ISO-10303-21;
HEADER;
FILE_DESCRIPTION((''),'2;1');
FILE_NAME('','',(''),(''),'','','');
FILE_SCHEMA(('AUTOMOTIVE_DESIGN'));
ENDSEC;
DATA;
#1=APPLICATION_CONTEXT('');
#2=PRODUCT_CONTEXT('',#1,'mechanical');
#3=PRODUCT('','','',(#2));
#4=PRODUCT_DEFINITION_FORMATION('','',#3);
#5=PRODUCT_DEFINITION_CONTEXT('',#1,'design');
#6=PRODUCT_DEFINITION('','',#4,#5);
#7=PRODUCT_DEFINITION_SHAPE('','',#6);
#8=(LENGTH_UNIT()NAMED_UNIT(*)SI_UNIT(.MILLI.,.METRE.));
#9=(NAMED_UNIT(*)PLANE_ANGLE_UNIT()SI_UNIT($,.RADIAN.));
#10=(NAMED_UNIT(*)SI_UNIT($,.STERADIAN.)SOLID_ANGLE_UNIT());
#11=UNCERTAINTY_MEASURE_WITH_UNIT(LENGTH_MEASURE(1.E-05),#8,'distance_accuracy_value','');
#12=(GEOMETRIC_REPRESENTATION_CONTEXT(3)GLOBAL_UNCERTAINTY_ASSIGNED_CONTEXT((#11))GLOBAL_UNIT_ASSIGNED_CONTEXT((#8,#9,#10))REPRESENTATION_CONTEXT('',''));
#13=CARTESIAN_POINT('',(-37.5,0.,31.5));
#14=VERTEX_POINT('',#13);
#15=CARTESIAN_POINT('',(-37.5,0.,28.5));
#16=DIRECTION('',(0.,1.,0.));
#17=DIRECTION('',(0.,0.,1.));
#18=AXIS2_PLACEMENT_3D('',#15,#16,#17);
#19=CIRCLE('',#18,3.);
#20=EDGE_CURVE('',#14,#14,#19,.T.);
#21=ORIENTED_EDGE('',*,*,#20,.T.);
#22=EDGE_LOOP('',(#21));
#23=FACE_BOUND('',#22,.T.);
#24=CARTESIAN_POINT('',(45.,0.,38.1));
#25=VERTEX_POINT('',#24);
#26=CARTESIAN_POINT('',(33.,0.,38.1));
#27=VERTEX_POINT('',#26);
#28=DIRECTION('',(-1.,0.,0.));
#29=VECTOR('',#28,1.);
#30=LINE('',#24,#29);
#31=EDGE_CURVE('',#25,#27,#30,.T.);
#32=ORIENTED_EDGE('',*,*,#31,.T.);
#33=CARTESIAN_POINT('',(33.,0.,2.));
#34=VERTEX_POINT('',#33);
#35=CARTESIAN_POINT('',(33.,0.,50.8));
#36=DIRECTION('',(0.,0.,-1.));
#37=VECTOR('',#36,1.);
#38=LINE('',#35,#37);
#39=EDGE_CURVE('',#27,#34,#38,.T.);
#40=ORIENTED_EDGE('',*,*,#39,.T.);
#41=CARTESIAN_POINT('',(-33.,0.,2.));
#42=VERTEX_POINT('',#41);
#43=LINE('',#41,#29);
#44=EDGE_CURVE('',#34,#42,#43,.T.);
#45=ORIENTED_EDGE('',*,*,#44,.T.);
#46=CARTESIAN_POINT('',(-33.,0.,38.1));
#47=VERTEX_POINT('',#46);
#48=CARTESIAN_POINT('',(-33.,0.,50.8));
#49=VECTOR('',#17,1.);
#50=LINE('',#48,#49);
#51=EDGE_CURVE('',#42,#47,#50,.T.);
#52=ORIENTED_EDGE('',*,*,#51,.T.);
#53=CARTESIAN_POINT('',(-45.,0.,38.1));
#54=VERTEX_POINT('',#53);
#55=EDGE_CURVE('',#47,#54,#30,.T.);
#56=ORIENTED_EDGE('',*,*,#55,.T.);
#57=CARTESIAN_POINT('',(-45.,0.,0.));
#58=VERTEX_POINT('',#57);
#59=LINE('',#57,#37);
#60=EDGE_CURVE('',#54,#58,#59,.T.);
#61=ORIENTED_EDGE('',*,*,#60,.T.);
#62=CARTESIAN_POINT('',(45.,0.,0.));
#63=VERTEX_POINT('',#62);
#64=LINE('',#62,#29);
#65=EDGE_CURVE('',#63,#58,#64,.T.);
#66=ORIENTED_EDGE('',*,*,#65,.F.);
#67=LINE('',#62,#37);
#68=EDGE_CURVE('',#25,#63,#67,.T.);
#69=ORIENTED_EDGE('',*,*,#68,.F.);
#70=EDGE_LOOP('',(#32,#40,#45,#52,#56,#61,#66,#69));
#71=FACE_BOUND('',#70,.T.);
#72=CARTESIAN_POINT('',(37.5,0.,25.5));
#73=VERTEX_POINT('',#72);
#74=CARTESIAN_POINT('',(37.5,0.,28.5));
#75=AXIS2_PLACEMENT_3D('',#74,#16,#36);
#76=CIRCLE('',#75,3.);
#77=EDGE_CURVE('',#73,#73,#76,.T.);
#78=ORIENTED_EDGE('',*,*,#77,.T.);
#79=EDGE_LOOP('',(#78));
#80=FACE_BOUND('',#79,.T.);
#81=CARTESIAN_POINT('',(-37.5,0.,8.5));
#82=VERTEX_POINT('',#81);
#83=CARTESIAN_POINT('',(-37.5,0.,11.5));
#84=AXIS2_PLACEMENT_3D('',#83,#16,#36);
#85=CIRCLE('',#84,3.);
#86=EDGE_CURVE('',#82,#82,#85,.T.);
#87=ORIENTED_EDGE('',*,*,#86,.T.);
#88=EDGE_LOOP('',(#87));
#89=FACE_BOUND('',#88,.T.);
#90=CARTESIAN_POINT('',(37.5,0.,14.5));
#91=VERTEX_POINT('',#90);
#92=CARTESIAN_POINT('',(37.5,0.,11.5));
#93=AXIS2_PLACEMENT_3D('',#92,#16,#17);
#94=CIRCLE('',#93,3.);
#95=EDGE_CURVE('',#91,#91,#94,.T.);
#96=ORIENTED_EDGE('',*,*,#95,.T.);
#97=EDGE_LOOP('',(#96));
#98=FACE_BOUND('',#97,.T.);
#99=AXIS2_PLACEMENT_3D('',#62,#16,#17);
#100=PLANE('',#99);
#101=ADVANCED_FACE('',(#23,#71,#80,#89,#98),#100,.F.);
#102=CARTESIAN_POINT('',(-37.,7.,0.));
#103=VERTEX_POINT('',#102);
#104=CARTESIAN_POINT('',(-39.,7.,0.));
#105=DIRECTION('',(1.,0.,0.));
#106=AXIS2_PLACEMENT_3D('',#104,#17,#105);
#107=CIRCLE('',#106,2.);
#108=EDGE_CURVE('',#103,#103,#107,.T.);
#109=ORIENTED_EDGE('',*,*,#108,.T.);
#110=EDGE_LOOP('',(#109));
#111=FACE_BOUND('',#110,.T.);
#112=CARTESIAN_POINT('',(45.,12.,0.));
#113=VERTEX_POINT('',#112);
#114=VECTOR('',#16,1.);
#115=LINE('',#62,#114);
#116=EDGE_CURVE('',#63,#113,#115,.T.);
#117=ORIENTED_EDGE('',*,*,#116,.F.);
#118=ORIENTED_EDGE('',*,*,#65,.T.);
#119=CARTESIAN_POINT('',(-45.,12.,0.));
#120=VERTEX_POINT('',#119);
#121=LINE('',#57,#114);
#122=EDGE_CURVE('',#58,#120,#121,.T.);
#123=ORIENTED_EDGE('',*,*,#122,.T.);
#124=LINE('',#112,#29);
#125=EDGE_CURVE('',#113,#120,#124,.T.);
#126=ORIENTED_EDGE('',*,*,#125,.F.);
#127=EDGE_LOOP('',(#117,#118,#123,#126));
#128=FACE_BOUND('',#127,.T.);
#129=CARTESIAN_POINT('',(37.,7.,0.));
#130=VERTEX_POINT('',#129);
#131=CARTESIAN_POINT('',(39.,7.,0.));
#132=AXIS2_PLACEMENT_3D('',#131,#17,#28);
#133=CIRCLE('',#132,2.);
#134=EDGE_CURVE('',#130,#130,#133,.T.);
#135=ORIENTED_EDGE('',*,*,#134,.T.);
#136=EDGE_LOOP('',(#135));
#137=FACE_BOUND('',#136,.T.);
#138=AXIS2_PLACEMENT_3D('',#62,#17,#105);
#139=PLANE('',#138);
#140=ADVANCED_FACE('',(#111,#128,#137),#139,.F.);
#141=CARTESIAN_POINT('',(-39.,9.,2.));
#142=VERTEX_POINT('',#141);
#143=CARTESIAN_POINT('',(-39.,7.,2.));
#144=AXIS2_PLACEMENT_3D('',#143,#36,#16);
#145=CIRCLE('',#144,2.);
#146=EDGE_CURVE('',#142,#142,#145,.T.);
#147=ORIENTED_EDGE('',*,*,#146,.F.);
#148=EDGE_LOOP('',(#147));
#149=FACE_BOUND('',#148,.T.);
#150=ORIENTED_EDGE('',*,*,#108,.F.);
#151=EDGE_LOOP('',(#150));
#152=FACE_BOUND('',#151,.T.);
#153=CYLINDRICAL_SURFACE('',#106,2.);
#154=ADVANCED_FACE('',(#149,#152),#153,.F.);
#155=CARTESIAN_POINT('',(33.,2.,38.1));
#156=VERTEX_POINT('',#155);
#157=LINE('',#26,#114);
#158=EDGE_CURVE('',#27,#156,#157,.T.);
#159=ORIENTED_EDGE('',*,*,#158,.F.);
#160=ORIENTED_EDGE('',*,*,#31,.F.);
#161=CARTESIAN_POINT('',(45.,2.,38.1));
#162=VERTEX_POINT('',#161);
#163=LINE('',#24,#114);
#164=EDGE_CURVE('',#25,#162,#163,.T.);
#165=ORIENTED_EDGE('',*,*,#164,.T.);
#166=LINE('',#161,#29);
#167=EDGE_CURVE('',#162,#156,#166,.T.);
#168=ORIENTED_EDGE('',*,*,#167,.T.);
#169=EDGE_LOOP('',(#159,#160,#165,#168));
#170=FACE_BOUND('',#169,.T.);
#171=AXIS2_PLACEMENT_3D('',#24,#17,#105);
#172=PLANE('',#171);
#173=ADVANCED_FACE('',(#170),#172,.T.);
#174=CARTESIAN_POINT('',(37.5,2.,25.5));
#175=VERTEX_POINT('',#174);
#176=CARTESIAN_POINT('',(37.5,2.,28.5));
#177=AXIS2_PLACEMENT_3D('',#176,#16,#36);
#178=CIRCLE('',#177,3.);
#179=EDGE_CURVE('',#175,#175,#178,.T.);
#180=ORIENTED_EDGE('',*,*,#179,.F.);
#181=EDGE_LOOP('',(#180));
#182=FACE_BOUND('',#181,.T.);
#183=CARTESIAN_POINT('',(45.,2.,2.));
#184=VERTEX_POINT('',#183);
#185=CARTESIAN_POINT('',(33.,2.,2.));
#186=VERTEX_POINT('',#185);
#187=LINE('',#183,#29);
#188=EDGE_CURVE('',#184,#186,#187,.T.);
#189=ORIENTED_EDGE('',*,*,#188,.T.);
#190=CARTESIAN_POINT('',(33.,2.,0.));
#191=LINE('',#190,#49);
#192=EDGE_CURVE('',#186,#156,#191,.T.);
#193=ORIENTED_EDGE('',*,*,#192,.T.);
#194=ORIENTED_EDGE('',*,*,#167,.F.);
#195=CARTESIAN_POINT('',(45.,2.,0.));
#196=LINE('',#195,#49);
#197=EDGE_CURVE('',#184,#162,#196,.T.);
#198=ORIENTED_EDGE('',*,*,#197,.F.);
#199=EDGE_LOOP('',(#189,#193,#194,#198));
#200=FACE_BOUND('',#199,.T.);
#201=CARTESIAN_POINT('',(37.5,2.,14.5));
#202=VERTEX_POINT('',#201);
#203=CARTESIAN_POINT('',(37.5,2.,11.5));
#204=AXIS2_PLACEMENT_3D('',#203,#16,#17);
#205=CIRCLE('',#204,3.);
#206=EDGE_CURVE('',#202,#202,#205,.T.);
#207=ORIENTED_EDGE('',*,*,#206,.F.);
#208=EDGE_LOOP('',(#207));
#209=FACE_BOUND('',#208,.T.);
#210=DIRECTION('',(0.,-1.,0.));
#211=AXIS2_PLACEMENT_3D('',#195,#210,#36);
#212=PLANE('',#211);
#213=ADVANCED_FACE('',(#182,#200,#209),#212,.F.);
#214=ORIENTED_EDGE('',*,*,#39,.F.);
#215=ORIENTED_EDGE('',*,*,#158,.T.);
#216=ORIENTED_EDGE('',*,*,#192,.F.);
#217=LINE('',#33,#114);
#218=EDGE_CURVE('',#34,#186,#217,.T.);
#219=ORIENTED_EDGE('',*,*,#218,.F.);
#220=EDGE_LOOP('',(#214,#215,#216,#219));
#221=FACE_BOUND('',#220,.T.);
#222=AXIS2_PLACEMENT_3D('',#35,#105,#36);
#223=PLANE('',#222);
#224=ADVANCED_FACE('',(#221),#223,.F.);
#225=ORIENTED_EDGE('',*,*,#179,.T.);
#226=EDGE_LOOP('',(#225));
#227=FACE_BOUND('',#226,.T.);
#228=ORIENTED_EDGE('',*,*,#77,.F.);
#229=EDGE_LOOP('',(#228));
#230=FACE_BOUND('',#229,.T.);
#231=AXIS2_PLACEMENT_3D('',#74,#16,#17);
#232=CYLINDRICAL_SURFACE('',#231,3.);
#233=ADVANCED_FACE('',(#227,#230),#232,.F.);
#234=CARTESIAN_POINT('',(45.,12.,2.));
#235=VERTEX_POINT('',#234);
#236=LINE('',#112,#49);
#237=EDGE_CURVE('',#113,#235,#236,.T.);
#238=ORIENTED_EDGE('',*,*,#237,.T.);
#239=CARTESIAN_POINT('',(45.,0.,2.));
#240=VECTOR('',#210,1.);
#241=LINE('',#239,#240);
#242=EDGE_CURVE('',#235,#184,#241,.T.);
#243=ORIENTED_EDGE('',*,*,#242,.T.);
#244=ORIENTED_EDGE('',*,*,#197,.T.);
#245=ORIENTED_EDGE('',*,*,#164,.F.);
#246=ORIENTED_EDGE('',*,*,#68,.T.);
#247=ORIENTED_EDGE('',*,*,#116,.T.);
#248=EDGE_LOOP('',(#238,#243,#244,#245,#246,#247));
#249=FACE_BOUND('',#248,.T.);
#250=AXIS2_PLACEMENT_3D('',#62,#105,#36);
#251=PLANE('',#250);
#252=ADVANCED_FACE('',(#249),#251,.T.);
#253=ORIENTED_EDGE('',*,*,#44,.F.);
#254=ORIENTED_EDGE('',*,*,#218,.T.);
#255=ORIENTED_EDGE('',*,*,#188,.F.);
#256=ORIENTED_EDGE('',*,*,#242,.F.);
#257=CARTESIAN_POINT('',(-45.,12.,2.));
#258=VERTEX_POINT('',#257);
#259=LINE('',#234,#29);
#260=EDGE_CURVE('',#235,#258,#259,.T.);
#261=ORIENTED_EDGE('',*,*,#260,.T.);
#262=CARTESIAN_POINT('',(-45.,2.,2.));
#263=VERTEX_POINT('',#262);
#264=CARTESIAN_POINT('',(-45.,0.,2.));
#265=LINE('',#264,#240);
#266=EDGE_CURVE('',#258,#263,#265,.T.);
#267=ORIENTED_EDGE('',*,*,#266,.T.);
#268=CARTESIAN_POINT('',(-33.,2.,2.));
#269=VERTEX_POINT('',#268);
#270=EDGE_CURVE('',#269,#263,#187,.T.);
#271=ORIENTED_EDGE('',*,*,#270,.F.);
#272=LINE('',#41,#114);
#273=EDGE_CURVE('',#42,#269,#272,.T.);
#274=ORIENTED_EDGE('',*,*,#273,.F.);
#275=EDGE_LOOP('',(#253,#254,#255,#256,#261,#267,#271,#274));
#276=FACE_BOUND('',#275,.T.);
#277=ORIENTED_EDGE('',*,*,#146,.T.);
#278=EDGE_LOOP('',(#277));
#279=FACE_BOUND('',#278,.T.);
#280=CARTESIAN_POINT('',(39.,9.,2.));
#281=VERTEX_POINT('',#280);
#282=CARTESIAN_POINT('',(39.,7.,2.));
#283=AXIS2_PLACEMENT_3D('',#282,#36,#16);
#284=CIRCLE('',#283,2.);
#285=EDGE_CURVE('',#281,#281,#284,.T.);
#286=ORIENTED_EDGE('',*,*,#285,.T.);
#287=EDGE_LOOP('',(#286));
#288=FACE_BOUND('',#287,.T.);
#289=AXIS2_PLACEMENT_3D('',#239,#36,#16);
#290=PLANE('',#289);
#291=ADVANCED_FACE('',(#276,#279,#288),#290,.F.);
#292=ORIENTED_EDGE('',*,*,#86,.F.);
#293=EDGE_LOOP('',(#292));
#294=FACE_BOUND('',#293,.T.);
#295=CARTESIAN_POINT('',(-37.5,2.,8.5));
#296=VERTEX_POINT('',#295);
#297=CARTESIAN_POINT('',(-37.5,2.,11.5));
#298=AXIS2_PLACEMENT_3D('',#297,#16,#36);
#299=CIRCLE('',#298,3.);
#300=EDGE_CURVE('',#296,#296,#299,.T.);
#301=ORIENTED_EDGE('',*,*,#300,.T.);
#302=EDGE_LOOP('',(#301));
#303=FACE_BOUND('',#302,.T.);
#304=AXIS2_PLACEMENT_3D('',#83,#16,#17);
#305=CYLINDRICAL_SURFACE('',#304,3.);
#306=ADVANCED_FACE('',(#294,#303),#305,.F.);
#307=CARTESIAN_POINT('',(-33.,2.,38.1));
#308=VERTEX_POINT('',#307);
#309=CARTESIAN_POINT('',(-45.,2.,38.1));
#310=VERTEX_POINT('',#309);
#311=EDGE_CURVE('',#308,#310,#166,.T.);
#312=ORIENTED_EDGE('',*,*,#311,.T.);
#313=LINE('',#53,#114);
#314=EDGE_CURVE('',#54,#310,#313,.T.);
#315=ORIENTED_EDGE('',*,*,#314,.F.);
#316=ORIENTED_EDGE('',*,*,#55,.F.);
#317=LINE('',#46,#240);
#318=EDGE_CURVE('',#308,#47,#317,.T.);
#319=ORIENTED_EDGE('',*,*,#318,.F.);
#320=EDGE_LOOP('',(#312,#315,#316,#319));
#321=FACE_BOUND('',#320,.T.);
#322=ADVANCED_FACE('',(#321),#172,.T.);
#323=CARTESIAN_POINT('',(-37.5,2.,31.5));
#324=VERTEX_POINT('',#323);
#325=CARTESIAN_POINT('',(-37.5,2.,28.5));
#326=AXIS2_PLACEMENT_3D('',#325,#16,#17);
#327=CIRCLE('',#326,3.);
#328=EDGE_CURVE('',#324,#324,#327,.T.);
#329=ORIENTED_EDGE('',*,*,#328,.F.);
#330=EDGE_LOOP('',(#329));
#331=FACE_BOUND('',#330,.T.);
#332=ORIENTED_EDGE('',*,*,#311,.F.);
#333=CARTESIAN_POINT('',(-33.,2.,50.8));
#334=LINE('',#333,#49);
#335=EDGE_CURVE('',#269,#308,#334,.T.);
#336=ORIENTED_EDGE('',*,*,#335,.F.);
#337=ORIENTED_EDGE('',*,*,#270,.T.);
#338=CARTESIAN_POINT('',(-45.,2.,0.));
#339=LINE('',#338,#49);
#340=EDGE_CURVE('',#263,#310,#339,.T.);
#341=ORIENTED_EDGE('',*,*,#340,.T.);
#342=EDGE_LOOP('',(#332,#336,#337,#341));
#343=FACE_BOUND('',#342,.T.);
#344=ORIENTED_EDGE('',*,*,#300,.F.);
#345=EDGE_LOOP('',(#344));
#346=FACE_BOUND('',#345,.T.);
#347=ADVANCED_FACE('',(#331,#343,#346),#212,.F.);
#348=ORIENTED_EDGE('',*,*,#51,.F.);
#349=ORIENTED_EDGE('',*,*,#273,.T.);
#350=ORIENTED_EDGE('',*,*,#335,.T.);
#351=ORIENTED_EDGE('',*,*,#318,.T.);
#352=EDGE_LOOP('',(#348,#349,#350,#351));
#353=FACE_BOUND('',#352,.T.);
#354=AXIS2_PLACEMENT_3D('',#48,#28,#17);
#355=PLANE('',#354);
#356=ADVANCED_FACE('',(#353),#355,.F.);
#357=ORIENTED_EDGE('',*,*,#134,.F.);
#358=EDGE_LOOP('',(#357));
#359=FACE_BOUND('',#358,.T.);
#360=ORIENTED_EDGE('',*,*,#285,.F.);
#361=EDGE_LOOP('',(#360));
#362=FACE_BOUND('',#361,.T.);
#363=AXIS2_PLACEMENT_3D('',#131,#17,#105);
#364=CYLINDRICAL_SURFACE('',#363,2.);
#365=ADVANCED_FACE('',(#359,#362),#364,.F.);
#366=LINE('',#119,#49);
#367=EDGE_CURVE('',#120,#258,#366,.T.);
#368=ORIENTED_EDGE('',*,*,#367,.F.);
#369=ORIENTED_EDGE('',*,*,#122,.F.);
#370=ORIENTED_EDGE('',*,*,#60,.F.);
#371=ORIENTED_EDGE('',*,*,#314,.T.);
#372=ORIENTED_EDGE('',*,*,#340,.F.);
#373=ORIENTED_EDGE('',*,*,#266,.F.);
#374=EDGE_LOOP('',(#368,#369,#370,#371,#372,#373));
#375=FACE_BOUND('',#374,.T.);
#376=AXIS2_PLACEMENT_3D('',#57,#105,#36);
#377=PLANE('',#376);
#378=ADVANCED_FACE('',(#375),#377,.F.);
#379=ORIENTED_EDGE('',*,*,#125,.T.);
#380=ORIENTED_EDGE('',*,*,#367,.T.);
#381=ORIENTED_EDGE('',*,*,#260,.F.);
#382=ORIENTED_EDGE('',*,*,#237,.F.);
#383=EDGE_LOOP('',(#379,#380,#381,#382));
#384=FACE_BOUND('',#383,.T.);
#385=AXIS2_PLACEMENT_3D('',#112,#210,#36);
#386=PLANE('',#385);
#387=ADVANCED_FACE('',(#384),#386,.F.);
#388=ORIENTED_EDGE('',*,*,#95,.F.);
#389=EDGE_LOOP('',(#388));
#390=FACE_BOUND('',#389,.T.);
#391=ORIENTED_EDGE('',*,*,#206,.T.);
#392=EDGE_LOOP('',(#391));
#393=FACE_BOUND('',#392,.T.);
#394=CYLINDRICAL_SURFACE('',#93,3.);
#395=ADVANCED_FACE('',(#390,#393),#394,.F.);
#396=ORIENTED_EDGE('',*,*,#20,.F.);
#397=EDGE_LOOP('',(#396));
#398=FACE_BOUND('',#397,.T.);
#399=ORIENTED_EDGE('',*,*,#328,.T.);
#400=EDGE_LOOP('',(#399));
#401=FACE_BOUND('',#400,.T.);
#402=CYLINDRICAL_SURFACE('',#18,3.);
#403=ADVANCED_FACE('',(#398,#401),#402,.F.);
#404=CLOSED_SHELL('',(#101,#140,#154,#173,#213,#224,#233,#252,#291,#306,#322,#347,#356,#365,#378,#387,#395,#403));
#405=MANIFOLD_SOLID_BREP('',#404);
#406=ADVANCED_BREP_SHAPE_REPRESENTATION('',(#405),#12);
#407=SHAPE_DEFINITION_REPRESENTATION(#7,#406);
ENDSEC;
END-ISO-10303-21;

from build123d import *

# Parameters (mm, degrees)
BOSS_EXTRUDE1_DEPTH     = 45
SKETCH2_R               = 3
SKETCH2_W               = 66
SKETCH2_H               = 48.8
CUT_EXTRUDE1_DEPTH      = 60.804765696
CUT_EXTRUDE2_DEPTH      = 59.92546139
CUT_EXTRUDE2_DEPTH_BACK = 59.92546139
SKETCH3_R               = 2


with BuildPart() as part:
    # Sketch1 → Boss-Extrude1 (new, symmetric)
    with BuildSketch(Plane(origin=(0, 0, 0), x_dir=(0, 0, -1), z_dir=(1, 0, 0))):
        Polygon((-38.1, 0), (0, 0), (0, 12), (-2, 12), (-2, 2), (-38.1, 2), align=None)
    extrude(amount=BOSS_EXTRUDE1_DEPTH, both=True)

    # Sketch2 → Cut-Extrude1 (cut, through all)
    with BuildSketch(Plane(origin=(0, 2, 0), x_dir=(1, 0, 0), z_dir=(0, 1, 0))):
        with Locations(Location((37.5, -11.5, 0), (0, 0, 270))):
            Circle(SKETCH2_R)
        with Locations(Location((37.5, -28.5, 0), (0, 0, 90))):
            Circle(SKETCH2_R)
        with Locations(Location((-37.5, -11.5, 0), (0, 0, 90))):
            Circle(SKETCH2_R)
        with Locations(Location((-37.5, -28.5, 0), (0, 0, 270))):
            Circle(SKETCH2_R)
        with Locations((0, -26.4)):
            Rectangle(SKETCH2_W, SKETCH2_H)
    extrude(amount=-CUT_EXTRUDE1_DEPTH, mode=Mode.SUBTRACT)

    # Sketch3 → Cut-Extrude2 (cut, two sides: drawn at the far end of the back side and taken through both)
    with BuildSketch(Plane.XY.offset(2).offset(-CUT_EXTRUDE2_DEPTH_BACK)):
        with Locations((-39, 7)):
            Circle(SKETCH3_R)
        with Locations(Location((39, 7, 0), (0, 0, 90))):
            Circle(SKETCH3_R)
    extrude(amount=CUT_EXTRUDE2_DEPTH + CUT_EXTRUDE2_DEPTH_BACK, mode=Mode.SUBTRACT)


solid = part.part
